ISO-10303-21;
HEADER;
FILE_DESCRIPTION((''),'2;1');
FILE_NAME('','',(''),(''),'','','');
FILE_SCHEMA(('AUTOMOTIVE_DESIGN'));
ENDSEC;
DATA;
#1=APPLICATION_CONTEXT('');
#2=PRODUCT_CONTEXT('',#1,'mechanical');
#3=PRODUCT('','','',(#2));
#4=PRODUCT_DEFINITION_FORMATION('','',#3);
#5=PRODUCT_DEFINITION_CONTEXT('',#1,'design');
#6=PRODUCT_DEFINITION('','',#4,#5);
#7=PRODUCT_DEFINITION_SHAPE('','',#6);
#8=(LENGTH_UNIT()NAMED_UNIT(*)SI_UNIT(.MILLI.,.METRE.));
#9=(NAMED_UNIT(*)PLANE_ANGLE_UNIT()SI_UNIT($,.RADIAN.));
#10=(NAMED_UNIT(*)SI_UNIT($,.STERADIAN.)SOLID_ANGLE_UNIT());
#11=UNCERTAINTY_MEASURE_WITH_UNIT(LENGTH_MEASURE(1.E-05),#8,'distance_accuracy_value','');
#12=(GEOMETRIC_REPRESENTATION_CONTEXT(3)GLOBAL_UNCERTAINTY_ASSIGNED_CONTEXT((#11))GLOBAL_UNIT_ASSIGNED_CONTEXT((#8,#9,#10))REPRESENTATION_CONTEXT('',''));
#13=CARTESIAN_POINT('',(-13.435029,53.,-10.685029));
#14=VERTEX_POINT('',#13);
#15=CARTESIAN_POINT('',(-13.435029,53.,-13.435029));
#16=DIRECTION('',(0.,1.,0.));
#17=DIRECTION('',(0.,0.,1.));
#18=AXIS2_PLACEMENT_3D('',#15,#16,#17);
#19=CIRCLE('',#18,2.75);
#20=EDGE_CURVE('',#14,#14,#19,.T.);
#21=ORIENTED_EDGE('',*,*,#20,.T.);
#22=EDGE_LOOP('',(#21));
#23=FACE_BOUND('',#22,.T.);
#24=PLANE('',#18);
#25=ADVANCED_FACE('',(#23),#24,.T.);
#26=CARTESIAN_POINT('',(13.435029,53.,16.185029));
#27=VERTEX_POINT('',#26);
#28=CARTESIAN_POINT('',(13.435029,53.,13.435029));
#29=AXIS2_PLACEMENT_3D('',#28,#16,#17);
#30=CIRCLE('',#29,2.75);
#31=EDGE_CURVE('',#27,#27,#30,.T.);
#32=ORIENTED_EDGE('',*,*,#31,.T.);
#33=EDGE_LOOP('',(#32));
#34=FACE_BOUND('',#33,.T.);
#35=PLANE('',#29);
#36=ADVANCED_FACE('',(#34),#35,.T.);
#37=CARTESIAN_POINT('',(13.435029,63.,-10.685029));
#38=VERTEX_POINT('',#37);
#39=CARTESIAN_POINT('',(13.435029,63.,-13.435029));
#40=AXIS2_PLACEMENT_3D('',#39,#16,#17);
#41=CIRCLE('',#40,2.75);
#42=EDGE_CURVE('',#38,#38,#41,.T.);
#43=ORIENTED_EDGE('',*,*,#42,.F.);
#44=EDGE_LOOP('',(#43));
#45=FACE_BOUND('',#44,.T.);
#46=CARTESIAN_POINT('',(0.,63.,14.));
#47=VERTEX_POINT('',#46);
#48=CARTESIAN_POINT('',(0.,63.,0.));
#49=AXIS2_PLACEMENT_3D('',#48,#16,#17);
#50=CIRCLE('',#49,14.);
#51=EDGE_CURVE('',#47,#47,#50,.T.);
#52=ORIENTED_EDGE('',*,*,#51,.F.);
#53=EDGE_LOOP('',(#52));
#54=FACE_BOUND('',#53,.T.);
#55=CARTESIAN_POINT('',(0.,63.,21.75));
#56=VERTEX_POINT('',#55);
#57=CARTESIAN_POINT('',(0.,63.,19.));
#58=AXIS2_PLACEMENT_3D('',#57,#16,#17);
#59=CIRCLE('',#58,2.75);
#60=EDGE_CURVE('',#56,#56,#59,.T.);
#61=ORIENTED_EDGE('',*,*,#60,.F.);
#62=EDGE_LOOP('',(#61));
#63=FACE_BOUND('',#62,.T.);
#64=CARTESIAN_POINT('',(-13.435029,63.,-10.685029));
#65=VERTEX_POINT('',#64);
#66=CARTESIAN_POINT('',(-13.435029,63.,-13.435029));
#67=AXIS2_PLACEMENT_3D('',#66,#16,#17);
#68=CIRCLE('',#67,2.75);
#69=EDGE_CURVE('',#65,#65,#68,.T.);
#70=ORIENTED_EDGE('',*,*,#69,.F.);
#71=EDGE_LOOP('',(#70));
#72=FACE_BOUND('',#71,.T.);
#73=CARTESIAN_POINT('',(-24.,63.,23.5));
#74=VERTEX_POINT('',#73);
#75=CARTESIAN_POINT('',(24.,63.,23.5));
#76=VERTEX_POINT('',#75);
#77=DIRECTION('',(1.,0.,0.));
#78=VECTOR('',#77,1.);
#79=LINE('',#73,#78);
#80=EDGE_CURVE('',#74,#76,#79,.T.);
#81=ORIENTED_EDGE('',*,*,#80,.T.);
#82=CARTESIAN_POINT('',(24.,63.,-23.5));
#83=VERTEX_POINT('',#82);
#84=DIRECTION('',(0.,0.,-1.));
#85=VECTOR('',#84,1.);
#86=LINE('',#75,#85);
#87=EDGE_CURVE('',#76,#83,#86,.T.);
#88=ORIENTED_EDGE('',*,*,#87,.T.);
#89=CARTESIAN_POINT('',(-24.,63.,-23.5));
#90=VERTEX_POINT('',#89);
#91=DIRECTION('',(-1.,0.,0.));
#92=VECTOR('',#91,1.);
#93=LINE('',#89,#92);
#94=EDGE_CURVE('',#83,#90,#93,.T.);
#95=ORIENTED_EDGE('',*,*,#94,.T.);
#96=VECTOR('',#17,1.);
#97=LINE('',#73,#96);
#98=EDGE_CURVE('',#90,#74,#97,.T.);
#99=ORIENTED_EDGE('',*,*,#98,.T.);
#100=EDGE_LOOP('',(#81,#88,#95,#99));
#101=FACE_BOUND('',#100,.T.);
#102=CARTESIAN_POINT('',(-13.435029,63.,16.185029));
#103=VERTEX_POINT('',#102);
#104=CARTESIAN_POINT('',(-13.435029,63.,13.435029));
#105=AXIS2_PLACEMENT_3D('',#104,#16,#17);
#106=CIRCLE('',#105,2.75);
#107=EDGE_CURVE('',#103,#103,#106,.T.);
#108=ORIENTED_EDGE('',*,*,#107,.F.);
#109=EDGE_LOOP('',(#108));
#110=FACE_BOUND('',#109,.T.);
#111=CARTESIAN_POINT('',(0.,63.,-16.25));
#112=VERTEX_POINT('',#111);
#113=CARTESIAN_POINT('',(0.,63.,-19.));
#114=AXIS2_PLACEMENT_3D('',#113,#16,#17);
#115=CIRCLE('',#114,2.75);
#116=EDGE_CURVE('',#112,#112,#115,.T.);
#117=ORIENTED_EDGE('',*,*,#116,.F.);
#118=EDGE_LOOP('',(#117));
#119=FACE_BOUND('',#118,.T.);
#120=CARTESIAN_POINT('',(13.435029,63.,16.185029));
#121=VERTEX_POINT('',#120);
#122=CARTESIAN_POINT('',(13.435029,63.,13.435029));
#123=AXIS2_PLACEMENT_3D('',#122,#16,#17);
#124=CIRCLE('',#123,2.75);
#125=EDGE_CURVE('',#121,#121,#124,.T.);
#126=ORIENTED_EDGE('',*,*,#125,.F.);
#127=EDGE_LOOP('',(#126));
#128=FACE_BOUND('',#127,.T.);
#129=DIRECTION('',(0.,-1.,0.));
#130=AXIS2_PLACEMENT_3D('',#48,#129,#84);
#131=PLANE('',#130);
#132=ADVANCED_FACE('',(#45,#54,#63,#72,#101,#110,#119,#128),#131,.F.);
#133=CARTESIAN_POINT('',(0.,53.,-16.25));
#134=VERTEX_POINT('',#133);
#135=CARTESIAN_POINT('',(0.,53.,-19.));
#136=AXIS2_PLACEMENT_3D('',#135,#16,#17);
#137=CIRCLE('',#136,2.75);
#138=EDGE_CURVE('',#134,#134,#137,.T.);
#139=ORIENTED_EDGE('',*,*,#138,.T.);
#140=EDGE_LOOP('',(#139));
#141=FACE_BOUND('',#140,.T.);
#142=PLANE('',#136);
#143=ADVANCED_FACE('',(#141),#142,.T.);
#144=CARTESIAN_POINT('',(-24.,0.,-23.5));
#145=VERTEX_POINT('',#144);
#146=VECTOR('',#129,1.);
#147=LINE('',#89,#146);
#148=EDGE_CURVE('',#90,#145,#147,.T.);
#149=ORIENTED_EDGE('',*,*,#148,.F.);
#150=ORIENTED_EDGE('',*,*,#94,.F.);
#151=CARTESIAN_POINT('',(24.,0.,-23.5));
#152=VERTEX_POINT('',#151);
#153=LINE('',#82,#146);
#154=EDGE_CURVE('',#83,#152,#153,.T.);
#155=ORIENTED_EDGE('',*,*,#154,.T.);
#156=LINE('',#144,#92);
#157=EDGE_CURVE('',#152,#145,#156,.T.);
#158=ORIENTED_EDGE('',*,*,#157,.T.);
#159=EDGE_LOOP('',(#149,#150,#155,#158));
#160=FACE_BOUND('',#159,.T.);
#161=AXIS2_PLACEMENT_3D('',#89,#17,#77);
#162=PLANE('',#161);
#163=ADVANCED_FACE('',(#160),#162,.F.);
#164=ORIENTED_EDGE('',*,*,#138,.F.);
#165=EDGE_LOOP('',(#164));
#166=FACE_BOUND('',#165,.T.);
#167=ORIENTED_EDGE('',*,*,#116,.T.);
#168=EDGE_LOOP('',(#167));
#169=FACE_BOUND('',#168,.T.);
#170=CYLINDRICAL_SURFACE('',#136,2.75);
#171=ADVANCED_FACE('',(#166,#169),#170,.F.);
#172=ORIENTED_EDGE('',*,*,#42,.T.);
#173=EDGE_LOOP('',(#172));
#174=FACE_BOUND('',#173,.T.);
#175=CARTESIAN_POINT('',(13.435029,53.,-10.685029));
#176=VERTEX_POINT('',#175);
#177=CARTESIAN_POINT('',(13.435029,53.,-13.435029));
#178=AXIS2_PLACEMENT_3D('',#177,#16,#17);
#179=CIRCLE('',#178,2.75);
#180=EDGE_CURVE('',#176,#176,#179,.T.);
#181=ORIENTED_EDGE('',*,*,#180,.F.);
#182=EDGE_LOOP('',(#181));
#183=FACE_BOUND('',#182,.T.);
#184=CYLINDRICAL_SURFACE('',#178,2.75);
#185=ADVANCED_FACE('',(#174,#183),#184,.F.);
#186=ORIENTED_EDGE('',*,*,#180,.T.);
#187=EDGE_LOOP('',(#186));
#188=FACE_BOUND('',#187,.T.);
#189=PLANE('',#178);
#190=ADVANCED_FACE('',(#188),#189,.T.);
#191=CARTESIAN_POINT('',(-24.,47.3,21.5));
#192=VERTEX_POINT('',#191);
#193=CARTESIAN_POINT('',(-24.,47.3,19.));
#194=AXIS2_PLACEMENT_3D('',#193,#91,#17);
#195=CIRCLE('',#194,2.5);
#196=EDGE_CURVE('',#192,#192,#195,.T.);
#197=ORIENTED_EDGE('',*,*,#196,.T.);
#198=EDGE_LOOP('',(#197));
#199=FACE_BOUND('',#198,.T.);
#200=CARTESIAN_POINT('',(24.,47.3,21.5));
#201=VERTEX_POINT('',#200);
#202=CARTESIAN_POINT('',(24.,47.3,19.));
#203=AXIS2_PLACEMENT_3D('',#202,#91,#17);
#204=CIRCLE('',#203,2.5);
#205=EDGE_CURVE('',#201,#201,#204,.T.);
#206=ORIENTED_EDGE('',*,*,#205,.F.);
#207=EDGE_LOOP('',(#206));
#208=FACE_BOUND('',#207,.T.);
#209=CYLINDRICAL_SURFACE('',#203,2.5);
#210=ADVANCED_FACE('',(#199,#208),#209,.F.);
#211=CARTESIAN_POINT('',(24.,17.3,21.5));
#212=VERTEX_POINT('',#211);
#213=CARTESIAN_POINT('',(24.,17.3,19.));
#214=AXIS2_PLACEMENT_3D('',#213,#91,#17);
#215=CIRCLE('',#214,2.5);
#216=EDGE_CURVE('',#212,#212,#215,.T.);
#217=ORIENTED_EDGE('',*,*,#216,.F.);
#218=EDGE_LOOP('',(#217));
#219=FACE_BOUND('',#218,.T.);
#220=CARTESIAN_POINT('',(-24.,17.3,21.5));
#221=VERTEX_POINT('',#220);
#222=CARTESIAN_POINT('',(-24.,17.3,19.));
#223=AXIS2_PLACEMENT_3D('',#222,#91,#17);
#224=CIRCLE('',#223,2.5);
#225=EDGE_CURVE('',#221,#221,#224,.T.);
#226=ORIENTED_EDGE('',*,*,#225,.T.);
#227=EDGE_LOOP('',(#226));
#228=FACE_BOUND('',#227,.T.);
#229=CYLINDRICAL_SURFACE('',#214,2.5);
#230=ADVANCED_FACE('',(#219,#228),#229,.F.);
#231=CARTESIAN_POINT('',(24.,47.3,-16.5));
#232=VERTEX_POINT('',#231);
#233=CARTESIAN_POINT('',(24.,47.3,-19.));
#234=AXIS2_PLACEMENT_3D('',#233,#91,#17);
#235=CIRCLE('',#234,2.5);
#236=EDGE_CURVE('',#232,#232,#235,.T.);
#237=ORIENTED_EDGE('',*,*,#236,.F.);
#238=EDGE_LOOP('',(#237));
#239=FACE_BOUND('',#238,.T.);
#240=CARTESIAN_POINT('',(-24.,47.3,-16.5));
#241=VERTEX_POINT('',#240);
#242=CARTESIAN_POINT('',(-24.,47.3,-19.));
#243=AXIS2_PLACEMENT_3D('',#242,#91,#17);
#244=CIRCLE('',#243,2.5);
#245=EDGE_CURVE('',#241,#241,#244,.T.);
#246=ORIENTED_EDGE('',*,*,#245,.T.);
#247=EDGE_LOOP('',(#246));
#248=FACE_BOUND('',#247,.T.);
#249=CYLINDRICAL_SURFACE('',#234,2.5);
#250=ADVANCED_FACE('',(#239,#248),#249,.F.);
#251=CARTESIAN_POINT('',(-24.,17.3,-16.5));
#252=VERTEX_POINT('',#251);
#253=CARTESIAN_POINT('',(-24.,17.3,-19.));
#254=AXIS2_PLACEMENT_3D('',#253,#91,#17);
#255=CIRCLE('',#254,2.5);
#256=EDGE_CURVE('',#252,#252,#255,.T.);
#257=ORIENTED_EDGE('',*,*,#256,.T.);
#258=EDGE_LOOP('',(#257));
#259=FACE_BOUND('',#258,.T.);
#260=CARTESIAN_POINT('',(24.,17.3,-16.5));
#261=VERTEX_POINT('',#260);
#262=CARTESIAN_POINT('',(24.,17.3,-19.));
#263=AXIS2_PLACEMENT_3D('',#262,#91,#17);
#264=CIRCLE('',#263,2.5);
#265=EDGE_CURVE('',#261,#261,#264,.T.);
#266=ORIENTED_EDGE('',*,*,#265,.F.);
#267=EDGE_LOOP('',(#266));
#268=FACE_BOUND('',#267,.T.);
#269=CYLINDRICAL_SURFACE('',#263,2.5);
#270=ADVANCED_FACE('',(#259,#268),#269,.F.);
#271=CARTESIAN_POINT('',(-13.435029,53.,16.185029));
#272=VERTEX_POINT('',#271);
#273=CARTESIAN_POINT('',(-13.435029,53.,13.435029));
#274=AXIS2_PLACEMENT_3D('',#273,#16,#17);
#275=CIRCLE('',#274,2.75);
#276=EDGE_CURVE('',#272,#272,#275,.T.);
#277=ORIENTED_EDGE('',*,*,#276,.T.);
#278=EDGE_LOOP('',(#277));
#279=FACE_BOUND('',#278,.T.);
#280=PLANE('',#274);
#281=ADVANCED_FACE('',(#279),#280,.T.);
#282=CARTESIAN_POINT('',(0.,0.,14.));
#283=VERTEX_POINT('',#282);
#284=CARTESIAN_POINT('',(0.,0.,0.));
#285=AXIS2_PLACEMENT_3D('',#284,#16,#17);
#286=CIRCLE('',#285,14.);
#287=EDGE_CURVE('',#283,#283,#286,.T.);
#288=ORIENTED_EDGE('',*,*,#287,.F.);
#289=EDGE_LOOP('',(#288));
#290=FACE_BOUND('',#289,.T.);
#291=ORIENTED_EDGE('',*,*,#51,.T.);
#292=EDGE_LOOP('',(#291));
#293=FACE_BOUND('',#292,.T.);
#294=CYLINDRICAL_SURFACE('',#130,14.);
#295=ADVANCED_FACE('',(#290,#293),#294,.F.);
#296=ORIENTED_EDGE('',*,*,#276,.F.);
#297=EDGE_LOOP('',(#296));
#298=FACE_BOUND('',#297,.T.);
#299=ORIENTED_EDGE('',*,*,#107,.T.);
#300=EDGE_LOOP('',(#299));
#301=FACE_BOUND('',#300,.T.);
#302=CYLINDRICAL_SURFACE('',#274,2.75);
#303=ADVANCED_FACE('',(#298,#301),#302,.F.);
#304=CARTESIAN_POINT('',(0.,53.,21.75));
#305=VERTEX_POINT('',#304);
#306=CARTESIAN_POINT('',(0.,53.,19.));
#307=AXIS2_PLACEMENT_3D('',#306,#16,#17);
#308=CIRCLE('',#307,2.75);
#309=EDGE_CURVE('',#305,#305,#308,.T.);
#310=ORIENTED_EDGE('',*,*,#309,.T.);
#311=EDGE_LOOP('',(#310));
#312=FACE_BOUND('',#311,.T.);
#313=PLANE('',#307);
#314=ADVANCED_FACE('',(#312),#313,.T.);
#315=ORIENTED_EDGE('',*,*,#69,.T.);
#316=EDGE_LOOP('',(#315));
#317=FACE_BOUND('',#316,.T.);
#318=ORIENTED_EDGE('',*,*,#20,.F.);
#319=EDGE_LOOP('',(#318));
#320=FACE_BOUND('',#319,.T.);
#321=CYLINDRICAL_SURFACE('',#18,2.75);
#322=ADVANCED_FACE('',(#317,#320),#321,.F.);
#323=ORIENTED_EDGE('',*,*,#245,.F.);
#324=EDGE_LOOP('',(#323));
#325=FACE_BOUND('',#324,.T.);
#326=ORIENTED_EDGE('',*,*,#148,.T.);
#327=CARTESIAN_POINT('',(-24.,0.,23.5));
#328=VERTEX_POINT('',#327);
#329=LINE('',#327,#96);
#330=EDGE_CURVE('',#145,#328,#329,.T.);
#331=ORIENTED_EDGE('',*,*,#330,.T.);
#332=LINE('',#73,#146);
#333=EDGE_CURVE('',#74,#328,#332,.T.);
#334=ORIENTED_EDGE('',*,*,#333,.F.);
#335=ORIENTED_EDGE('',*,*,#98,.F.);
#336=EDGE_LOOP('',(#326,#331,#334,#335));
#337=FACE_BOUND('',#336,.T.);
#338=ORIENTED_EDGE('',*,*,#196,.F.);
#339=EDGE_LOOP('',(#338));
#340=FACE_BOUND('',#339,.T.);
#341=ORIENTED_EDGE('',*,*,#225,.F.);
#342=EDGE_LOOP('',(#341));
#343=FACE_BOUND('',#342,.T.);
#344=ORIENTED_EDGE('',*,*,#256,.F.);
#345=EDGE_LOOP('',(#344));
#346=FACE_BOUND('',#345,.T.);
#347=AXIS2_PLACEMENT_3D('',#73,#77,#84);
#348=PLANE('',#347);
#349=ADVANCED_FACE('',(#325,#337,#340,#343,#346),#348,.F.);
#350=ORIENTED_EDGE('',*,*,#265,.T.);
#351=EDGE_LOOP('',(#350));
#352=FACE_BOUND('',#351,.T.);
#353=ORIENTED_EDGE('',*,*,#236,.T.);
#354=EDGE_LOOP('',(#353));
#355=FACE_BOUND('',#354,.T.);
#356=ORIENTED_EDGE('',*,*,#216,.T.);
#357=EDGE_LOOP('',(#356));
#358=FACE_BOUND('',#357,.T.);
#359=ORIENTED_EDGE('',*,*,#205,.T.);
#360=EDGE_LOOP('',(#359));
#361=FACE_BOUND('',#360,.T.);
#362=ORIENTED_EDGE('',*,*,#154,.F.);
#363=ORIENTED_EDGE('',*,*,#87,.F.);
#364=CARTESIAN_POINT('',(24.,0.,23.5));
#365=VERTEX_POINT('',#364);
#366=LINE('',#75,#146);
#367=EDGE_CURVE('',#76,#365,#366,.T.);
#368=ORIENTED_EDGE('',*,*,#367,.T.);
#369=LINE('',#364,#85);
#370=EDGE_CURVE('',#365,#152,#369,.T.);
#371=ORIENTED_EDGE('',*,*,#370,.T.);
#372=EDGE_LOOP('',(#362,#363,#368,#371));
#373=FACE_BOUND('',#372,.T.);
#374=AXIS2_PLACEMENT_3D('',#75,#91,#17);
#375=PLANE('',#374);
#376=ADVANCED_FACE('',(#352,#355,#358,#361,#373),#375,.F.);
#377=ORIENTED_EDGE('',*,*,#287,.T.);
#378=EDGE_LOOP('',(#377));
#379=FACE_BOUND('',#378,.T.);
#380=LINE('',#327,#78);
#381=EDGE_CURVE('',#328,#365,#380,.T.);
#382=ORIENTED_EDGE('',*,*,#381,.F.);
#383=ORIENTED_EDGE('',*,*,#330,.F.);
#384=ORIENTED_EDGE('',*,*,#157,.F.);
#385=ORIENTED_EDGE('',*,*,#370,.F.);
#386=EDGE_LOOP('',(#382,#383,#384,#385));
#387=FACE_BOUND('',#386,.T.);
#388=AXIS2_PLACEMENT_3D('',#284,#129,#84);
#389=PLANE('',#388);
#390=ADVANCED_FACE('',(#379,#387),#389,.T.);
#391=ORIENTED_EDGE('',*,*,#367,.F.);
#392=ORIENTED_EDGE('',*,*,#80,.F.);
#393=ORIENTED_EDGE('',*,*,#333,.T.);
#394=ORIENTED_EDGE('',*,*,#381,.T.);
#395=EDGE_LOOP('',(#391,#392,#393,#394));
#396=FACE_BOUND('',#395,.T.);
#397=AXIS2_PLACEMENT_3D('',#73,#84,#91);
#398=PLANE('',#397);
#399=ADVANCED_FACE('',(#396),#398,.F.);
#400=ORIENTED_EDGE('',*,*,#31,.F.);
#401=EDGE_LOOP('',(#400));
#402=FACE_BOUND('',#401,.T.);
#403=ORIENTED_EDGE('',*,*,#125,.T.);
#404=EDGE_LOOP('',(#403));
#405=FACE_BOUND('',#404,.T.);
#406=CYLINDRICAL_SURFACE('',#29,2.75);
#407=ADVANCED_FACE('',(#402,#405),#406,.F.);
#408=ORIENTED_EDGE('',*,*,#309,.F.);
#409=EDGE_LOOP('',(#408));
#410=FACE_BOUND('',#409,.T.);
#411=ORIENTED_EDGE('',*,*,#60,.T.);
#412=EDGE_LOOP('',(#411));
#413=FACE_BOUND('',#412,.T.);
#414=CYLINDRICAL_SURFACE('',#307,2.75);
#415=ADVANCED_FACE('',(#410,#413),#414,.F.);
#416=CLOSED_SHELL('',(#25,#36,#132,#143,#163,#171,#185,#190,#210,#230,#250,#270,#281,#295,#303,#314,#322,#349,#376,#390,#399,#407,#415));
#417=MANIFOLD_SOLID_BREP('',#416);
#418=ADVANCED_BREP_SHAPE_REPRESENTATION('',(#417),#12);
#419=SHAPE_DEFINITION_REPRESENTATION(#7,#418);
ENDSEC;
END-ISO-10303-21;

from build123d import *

# Parameters (mm, degrees)
SKETCH_1_W          = 48
SKETCH_1_H          = 47
SKETCH_1_R          = 14
EXTRUDE_1_DEPTH     = 63
SKETCH_2_R          = 2.5
CUT_EXTRUDE_1_DEPTH = 49
SKETCH_3_R          = 2.75
CUT_EXTRUDE_2_DEPTH = 10


with BuildPart() as part:
    # Эскиз1 → Бобышка-Вытянуть1 (new body)
    with BuildSketch(Plane(origin=(0, 0, 0), x_dir=(1, 0, 0), z_dir=(0, 1, 0))):
        Rectangle(SKETCH_1_W, SKETCH_1_H)
        Circle(SKETCH_1_R, mode=Mode.SUBTRACT)
    extrude(amount=EXTRUDE_1_DEPTH)

    # Эскиз2 → Вырез-Вытянуть1 (cut, through all)
    with BuildSketch(Plane.ZY.offset(24)):
        with Locations((-19.000000006, 47.3)):
            Circle(SKETCH_2_R)
        with Locations((-19.000000006, 17.3)):
            Circle(SKETCH_2_R)
        with Locations((18.999999994, 47.3)):
            Circle(SKETCH_2_R)
        with Locations((18.999999994, 17.3)):
            Circle(SKETCH_2_R)
    extrude(amount=-CUT_EXTRUDE_1_DEPTH, mode=Mode.SUBTRACT)

    # Эскиз3 → Вырез-Вытянуть2 (cut)
    with BuildSketch(Plane(origin=(0, 63, 0), x_dir=(1, 0, 0), z_dir=(0, 1, 0))):
        with Locations((13.435028843, -13.435028842)):
            Circle(SKETCH_3_R)
        with Locations((0, -19)):
            Circle(SKETCH_3_R)
        with Locations((-13.435028842, -13.435028842)):
            Circle(SKETCH_3_R)
        with Locations((13.435028843, 13.435028843)):
            Circle(SKETCH_3_R)
        with Locations((0, 19)):
            Circle(SKETCH_3_R)
        with Locations((-13.435028842, 13.435028843)):
            Circle(SKETCH_3_R)
    extrude(amount=-CUT_EXTRUDE_2_DEPTH, mode=Mode.SUBTRACT)


solid = part.part
